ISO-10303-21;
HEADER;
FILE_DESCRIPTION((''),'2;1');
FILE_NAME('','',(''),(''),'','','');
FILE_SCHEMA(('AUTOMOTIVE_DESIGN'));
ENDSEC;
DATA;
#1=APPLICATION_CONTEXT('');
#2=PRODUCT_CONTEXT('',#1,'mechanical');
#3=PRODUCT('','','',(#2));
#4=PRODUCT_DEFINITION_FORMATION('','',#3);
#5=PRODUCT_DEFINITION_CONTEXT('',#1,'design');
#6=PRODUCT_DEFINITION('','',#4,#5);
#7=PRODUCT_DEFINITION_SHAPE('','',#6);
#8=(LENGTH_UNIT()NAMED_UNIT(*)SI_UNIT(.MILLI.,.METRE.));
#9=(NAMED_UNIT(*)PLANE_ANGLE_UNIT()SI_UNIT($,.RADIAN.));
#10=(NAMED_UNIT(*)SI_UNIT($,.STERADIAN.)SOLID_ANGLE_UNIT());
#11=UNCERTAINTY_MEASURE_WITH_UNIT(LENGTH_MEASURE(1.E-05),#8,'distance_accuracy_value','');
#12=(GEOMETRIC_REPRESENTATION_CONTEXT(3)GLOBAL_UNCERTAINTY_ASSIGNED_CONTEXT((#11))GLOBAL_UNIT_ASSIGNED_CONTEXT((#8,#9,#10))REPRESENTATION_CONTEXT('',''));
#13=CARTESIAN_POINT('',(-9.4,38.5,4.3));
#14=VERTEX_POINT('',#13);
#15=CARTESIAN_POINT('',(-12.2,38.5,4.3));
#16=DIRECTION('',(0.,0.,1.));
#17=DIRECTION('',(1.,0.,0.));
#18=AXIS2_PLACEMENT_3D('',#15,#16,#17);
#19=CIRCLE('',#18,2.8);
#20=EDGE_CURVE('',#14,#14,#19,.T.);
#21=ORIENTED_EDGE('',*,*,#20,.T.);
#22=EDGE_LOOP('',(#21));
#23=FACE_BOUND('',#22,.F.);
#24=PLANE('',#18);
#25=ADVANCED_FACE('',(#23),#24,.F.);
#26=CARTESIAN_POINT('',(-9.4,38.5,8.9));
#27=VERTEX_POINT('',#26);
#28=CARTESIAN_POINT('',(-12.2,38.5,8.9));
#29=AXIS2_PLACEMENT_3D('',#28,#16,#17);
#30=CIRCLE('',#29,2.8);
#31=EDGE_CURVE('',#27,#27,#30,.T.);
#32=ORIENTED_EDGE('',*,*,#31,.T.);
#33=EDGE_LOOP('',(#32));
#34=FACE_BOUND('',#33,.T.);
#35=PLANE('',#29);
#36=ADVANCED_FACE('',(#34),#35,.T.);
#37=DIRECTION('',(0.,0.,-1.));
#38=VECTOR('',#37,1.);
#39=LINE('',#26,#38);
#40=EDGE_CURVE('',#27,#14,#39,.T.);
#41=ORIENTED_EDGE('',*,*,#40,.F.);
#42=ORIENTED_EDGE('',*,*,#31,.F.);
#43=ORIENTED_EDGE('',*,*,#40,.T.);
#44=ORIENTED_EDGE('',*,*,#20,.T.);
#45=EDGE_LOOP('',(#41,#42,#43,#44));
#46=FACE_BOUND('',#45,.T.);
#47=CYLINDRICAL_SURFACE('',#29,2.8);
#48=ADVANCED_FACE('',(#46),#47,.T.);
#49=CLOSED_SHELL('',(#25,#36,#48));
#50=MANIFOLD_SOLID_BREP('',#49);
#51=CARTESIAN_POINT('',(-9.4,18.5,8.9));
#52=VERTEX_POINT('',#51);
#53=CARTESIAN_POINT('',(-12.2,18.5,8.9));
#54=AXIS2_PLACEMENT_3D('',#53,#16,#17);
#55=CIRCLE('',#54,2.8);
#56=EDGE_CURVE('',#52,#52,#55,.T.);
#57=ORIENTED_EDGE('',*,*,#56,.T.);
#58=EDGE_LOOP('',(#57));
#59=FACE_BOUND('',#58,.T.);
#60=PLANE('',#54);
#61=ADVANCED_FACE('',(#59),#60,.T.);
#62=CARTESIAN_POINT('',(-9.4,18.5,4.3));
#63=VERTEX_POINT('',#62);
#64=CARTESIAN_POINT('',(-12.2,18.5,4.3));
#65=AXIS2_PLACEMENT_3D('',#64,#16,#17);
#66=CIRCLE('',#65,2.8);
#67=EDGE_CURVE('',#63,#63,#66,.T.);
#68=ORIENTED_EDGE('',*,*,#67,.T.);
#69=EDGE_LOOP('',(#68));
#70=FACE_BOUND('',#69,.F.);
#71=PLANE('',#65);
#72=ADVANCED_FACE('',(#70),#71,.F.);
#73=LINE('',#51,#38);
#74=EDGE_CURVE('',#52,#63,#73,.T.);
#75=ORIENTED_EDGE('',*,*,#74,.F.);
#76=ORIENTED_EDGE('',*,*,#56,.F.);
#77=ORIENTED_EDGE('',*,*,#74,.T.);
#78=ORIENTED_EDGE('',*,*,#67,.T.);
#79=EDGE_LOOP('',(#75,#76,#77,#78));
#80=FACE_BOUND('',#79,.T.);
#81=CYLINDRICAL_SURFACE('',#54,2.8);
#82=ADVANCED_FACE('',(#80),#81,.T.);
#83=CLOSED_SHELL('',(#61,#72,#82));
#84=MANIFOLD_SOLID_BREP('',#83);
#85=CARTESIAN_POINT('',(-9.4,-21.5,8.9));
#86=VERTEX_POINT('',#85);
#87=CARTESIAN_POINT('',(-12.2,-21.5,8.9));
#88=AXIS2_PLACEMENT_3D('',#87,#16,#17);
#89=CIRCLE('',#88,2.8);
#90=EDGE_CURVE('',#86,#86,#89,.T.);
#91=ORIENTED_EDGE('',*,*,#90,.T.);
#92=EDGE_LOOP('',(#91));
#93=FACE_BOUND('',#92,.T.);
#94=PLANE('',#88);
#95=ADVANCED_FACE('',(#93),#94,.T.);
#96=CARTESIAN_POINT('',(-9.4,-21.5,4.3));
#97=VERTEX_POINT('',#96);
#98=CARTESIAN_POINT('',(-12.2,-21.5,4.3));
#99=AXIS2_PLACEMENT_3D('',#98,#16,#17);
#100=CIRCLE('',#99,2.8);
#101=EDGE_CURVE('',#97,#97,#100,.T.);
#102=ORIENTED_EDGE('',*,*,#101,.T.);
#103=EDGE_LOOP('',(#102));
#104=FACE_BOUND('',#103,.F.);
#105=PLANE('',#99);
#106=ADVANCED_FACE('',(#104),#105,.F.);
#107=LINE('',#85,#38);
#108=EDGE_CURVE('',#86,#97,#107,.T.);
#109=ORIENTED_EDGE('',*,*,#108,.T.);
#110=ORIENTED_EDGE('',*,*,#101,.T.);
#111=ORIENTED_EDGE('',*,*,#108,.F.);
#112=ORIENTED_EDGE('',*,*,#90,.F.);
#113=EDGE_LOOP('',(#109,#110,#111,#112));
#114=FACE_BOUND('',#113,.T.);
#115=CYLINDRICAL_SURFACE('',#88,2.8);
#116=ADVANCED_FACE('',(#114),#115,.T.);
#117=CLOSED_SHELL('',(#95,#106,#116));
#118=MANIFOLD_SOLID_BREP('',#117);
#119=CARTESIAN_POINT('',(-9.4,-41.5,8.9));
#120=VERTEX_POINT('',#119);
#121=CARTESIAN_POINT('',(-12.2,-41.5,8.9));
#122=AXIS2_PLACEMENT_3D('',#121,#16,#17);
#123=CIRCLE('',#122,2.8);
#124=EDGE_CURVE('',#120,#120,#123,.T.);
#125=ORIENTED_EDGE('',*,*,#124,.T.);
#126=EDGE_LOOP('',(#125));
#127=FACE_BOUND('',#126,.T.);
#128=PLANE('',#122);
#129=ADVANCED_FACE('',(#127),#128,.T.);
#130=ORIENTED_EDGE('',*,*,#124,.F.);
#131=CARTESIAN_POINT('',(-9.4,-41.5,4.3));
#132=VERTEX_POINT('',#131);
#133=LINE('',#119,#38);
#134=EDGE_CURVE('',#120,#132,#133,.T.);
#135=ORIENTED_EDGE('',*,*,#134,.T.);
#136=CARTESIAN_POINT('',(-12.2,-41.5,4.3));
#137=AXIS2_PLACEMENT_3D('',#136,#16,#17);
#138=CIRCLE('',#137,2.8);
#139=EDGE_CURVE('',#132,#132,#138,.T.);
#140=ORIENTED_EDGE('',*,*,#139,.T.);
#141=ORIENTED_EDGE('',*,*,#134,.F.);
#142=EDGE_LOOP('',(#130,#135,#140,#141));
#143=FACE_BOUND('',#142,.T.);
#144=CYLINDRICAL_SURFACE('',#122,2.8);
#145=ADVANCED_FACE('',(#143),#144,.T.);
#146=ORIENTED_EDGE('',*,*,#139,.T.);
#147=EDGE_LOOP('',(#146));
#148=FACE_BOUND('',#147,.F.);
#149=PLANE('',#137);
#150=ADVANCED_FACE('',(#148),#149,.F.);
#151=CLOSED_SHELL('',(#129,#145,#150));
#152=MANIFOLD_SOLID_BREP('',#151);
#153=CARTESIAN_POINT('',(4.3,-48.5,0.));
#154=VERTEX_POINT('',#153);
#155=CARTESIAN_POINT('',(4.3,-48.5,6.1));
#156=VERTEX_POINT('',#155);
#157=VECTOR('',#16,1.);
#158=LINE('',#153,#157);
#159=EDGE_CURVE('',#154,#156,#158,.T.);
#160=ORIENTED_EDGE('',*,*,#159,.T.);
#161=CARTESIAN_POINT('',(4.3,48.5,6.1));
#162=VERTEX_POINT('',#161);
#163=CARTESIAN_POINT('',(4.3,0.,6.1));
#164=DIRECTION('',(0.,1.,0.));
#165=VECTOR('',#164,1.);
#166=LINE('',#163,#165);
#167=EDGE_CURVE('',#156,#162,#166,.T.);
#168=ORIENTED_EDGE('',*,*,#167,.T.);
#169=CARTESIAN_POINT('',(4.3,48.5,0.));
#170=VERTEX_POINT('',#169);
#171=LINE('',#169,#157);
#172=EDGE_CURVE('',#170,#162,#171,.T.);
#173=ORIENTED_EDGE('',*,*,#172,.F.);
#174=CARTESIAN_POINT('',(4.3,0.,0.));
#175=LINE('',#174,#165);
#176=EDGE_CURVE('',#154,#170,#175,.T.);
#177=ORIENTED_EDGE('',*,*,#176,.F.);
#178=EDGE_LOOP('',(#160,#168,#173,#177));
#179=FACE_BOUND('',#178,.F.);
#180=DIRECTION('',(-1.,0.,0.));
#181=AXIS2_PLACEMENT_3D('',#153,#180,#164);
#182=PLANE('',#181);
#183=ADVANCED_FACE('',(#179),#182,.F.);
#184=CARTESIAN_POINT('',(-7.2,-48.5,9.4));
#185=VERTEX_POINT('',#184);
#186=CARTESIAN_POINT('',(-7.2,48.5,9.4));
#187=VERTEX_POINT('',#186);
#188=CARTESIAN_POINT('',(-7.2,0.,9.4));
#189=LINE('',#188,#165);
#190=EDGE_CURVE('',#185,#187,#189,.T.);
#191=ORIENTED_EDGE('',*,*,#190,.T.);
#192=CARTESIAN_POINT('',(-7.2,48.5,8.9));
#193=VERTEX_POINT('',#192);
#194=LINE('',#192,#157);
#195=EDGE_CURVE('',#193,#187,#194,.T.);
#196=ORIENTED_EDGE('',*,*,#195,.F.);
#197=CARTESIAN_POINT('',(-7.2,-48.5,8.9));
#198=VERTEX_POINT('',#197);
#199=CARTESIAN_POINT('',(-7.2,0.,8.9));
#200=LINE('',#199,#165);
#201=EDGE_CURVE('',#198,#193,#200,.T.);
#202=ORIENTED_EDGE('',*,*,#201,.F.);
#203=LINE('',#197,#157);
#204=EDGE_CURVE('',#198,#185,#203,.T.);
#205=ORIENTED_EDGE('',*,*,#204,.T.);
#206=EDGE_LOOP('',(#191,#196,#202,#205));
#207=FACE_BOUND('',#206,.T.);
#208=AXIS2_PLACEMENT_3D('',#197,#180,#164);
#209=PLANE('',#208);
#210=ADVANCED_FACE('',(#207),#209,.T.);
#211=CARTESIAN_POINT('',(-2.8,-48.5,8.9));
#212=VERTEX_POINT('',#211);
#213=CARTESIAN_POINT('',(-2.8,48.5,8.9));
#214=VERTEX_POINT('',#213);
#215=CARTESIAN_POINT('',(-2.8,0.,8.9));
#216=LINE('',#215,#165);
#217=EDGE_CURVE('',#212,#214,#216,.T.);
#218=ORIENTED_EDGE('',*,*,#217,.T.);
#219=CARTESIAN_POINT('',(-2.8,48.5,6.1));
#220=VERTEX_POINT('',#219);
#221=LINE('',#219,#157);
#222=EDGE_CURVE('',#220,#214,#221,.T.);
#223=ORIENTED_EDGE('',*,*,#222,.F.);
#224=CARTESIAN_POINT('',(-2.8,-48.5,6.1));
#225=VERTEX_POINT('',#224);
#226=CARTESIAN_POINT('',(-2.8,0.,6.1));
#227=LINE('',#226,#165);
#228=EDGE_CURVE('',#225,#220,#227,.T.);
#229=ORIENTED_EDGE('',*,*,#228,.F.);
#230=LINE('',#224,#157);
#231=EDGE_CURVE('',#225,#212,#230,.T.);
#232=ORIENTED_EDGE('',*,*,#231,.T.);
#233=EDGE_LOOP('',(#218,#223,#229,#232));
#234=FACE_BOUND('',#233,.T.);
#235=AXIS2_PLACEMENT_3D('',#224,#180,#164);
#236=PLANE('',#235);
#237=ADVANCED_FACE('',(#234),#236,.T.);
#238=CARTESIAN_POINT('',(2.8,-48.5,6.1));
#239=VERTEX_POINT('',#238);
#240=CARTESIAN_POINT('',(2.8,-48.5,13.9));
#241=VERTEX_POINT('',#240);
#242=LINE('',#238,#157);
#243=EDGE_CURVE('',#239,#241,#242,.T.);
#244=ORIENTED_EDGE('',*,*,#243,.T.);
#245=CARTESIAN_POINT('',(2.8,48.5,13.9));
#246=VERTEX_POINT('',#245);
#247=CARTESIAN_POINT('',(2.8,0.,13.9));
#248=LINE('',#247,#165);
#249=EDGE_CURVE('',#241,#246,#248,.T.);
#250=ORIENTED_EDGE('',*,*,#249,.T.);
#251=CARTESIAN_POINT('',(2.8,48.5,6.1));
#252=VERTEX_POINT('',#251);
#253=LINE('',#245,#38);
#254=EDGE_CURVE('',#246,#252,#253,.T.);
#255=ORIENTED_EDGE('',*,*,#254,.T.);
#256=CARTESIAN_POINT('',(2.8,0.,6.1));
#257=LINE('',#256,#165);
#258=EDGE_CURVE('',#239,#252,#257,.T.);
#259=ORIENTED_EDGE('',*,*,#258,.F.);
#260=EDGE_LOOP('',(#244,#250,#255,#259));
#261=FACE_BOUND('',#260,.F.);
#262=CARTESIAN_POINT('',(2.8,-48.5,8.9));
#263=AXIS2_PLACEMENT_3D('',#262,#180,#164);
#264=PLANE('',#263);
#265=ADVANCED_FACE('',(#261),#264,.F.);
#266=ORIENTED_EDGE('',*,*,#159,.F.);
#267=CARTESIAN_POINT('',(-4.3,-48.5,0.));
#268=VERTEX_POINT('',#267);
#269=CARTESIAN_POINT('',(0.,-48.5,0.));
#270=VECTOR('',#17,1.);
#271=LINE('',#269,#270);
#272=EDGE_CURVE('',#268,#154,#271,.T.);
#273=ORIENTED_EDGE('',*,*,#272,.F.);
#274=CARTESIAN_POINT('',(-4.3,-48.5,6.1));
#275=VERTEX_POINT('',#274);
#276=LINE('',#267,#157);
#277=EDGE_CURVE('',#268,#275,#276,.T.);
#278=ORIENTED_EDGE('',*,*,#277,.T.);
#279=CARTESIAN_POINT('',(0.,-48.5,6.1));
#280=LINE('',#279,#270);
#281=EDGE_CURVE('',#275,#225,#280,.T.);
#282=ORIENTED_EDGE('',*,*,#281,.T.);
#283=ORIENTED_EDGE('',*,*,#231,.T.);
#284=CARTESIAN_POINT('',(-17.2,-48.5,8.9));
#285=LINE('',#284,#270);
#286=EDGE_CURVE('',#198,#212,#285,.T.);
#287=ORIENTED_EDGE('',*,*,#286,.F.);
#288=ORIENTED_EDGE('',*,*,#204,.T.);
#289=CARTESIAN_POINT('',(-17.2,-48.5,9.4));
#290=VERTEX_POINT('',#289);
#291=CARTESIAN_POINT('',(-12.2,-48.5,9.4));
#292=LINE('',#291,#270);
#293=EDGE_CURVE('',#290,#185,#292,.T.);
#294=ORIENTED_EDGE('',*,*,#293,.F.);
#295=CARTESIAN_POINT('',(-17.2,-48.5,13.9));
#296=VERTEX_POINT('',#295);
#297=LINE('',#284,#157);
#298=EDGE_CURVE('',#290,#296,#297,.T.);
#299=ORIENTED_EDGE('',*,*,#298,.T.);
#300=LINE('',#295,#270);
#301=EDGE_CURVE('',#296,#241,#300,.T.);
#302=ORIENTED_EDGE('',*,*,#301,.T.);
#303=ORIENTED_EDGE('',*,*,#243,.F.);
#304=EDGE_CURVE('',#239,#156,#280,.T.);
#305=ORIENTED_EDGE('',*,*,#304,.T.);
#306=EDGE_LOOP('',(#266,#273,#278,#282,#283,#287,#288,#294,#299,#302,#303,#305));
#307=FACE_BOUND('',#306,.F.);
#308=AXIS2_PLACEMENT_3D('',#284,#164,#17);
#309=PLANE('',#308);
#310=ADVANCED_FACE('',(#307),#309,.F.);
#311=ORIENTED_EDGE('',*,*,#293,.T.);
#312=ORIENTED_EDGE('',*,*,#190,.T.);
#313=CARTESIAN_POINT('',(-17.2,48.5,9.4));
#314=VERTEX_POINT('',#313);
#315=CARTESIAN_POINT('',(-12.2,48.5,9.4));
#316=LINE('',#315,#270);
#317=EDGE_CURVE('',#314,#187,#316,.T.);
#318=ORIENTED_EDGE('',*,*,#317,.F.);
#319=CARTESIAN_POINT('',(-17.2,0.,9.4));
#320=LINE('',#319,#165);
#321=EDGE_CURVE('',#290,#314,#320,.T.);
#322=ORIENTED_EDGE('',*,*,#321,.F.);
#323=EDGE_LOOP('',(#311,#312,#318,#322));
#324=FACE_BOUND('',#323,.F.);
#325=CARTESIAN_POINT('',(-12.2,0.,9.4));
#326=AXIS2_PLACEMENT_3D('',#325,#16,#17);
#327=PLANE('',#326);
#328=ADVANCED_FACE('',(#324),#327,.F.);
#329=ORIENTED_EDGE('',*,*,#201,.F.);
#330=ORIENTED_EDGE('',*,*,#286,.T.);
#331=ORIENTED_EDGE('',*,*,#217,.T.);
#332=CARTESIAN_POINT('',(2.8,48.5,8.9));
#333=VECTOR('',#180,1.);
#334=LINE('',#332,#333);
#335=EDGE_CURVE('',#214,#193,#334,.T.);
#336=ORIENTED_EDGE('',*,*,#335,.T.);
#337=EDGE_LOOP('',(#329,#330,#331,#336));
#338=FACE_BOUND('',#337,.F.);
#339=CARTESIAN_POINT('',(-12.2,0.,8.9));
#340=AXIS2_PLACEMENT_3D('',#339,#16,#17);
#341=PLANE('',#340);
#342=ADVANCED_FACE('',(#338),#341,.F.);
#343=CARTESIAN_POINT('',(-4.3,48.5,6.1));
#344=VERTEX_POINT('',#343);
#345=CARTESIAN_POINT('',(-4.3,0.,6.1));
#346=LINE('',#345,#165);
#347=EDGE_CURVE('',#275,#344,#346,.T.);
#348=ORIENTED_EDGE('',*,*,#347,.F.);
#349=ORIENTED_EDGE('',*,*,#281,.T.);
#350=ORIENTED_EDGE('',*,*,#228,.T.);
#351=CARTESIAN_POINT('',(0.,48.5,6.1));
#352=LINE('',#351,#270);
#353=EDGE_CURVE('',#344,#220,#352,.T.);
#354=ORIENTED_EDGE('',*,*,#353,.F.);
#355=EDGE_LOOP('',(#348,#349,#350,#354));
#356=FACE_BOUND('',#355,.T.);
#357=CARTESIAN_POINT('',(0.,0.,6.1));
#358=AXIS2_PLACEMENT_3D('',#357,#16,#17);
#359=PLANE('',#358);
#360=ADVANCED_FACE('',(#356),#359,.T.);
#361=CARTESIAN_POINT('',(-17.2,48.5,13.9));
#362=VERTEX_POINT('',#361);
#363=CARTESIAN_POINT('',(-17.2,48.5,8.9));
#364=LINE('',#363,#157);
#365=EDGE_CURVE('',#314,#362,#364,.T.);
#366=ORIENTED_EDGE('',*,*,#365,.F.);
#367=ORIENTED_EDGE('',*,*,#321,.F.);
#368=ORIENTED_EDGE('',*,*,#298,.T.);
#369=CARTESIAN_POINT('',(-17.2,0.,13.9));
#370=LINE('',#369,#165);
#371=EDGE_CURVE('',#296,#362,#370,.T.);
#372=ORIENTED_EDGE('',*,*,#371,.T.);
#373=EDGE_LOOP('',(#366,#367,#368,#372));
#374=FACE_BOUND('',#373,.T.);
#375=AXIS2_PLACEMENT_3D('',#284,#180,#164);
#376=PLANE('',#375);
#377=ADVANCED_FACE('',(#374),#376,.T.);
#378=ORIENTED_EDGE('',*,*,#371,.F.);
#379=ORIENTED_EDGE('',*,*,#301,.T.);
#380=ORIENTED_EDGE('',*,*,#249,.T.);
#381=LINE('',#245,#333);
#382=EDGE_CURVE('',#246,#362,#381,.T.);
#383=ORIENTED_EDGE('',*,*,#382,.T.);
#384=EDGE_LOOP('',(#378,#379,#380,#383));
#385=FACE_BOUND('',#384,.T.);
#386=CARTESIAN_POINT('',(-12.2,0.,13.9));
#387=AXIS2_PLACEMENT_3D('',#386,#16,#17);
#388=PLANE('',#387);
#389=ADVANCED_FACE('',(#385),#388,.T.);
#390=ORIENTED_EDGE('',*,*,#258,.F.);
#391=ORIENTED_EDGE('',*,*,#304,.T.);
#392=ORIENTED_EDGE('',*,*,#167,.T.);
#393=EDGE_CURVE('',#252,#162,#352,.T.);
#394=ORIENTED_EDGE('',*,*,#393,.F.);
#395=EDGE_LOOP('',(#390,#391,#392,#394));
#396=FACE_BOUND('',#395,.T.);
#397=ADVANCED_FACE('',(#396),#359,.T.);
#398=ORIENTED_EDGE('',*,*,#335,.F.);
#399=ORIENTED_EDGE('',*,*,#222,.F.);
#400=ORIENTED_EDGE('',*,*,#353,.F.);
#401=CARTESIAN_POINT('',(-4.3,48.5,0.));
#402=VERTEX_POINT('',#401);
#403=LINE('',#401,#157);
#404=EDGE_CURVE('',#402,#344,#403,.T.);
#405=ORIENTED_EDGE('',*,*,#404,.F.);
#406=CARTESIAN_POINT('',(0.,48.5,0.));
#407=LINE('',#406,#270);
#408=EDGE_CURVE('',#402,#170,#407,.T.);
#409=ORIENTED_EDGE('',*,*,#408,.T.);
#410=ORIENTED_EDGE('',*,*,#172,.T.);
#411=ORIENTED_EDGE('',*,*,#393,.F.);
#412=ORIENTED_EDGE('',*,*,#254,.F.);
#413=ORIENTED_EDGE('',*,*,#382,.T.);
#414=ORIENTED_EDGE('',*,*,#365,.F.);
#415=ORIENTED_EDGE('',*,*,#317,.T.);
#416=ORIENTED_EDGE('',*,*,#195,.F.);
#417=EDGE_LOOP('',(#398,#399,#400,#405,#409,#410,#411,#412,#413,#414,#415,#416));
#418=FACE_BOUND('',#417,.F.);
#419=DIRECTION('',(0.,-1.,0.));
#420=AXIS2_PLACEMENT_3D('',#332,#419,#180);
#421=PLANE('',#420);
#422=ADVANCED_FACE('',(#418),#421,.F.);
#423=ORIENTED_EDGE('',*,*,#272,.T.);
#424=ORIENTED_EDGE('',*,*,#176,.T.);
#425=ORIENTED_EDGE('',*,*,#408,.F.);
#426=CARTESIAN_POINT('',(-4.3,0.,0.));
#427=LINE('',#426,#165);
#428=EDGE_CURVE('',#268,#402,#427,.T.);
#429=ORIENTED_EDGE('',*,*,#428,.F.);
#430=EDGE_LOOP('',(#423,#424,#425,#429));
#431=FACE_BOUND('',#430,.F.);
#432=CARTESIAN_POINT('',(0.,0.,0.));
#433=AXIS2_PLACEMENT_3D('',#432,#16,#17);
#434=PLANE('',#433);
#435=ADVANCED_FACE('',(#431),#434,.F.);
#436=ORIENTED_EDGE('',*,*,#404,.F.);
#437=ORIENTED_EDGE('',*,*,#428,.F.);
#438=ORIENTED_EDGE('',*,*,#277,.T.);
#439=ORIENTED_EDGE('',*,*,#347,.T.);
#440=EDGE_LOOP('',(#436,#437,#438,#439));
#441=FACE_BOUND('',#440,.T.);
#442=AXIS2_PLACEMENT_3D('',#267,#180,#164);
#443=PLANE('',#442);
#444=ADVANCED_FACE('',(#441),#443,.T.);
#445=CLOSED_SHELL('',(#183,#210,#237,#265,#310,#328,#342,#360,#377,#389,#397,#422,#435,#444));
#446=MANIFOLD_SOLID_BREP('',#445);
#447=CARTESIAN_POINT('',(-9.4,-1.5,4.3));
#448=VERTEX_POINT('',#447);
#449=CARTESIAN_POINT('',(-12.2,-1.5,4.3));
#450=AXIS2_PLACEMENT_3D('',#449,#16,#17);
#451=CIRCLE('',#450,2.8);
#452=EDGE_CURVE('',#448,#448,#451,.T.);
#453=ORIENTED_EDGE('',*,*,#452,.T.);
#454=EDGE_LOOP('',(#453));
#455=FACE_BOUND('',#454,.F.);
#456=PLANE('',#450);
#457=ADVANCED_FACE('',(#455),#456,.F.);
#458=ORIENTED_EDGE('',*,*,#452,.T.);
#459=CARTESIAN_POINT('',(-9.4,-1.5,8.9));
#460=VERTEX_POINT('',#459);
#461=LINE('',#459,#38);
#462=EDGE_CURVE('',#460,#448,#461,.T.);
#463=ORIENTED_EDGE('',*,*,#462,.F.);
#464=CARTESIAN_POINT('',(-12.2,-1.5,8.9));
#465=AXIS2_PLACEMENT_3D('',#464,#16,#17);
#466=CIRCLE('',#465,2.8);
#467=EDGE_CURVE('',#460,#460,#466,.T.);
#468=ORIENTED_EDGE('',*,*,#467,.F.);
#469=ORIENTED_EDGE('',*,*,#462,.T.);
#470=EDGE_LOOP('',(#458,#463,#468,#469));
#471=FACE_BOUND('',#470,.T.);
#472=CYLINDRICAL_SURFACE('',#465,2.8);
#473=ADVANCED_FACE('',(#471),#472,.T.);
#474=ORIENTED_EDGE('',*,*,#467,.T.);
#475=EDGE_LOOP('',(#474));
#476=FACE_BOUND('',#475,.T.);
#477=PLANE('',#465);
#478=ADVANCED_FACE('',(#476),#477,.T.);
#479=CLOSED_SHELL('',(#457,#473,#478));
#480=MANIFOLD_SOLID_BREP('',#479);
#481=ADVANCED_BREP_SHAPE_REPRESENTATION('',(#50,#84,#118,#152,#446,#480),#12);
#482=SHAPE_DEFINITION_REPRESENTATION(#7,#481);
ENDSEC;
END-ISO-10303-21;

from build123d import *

# Parameters (mm, degrees)
F0_W     = 8.6
F0_H     = 97
F1_DEPTH = 6.1
F2_W     = 5.6
F2_H     = 97
F3_DEPTH = 2.8
F4_W     = 10
F4_H     = 97
F4_W_2   = 5.6
F4_W_3   = 1.5
F4_W_4   = 2.9
F5_DEPTH = 5
F6_DEPTH = 0.5
F7_R     = 2.8
F8_DEPTH = 4.6


with BuildPart() as f1:
    # F0 (on Top) → F1 (new body)
    with BuildSketch(Plane.XY):
        Rectangle(F0_W, F0_H)
    extrude(amount=F1_DEPTH)

    # F2 (on face) → F3 (join)
    with BuildSketch(Plane.XY.offset(6.1)):
        Rectangle(F2_W, F2_H)
    extrude(amount=F3_DEPTH)

    # F4 (on face) → F5 (join)
    with BuildSketch(Plane.XY.offset(8.9)):
        with Locations((-12.2, 0)):
            Rectangle(F4_W, F4_H)
        Rectangle(F4_W_2, F4_H)
        with Locations((-3.55, 0)):
            Rectangle(F4_W_3, F4_H)
        with Locations((-5.75, 0)):
            Rectangle(F4_W_4, F4_H)
    extrude(amount=F5_DEPTH)

    # F4 (on face) → F6 (cut)
    with BuildSketch(Plane.XY.offset(8.9)):
        with Locations((-12.2, 0)):
            Rectangle(F4_W, F4_H)
    extrude(amount=F6_DEPTH, mode=Mode.SUBTRACT)


with BuildPart() as f8:
    # F7 (on face) → F8 (new body)
    with BuildSketch(Plane.XY.offset(8.9)):
        with Locations((-12.2, 18.5)):
            Circle(F7_R)
        with Locations((-12.2, -1.5)):
            Circle(F7_R)
        with Locations((-12.2, -21.5)):
            Circle(F7_R)
        with Locations((-12.2, -41.5)):
            Circle(F7_R)
        with Locations((-12.2, 38.5)):
            Circle(F7_R)
    extrude(amount=-F8_DEPTH)


solid = Compound([f1.part, f8.part])
